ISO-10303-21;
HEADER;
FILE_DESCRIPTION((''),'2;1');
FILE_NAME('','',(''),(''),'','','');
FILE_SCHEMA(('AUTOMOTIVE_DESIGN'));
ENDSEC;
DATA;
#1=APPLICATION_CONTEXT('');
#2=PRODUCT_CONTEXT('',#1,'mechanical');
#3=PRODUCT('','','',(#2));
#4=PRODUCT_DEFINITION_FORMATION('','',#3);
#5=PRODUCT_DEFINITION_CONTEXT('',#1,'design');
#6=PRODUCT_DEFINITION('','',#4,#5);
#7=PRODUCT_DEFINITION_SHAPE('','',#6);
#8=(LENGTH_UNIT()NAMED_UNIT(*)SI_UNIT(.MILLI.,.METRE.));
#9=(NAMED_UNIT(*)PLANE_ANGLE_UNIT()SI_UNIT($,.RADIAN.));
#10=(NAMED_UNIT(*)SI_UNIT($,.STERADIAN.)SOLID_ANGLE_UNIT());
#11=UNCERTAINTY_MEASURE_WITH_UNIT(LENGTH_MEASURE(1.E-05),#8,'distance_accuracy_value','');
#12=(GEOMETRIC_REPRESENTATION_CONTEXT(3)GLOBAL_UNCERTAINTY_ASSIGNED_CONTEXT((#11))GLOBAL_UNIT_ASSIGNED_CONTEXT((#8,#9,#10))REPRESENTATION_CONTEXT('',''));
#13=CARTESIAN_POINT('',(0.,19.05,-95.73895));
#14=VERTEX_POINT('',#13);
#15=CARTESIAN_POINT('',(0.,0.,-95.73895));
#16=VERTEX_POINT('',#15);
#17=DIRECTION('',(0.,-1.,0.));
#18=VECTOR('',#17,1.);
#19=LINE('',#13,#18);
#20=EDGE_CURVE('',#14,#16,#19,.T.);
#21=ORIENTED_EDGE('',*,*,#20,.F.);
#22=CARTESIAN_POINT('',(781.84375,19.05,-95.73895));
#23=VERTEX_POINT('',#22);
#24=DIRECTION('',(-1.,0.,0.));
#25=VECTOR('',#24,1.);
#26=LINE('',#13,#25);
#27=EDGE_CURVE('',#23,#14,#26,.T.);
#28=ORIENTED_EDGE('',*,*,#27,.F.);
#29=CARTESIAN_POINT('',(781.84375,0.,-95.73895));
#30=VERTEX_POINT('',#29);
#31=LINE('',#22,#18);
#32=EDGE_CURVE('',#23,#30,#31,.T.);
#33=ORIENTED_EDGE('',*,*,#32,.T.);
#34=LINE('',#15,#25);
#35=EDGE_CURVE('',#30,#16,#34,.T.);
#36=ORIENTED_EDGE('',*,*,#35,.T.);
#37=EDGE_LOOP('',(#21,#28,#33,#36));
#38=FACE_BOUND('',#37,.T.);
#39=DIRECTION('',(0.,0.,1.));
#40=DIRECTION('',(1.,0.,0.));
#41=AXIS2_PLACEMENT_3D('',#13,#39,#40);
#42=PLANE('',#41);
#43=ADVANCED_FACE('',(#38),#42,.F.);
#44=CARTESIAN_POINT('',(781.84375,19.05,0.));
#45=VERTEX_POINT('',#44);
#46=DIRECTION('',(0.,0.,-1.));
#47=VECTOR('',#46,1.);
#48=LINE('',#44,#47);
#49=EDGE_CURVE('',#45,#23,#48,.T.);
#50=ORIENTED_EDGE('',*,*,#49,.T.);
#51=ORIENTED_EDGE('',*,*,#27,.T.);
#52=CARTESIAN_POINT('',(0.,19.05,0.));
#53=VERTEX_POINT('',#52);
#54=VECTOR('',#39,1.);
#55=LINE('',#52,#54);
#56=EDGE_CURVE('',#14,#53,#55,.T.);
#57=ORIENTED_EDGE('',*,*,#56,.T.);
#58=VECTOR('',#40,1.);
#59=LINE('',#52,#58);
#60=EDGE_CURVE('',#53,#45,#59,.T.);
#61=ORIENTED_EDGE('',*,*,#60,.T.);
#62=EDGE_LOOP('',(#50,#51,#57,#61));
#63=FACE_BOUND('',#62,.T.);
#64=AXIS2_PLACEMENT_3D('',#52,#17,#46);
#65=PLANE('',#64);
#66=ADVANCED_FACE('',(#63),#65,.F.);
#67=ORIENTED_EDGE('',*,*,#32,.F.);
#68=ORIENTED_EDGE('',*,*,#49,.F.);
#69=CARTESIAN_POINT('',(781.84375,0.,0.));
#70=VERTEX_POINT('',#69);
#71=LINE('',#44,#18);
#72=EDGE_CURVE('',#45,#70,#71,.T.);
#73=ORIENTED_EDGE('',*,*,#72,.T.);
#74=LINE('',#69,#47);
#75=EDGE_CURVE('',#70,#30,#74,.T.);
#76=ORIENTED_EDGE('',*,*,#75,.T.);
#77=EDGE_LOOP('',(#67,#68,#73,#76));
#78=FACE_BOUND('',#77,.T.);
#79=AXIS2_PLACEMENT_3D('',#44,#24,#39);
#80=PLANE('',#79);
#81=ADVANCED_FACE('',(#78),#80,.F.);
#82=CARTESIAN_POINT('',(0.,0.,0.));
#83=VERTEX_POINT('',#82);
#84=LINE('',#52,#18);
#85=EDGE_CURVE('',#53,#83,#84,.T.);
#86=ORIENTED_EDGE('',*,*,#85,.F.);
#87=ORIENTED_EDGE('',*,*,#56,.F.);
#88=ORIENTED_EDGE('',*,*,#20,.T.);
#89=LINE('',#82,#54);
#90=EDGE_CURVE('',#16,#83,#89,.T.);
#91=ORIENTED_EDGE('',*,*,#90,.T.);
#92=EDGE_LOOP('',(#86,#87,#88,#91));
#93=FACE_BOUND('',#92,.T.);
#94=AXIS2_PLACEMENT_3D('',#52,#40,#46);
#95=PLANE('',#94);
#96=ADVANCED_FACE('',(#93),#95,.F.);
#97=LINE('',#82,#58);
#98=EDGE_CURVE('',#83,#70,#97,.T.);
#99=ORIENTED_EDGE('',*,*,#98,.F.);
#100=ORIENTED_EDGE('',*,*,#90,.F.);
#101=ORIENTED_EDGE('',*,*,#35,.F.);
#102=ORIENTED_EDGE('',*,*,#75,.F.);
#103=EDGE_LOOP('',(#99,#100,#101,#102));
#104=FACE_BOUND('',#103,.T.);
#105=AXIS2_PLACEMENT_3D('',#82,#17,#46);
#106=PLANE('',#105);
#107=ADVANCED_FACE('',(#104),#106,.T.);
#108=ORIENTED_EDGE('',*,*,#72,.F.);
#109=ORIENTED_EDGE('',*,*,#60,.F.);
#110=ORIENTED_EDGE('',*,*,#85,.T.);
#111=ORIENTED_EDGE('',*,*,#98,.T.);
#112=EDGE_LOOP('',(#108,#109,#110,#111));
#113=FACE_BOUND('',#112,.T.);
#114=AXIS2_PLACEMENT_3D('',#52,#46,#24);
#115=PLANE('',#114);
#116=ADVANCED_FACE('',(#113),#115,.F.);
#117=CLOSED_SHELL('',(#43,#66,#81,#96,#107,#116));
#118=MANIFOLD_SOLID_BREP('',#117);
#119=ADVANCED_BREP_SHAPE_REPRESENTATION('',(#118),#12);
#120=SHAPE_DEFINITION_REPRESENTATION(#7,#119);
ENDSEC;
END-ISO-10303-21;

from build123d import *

# Parameters (mm, degrees)
SKETCH1_W           = 781.84375
SKETCH1_H           = 95.73895
BOSS_EXTRUDE1_DEPTH = 19.05


with BuildPart() as part:
    # Sketch1 → Boss-Extrude1 (new body)
    with BuildSketch(Plane(origin=(0, 0, 0), x_dir=(1, 0, 0), z_dir=(0, 1, 0))):
        with Locations((390.921875, 47.869475)):
            Rectangle(SKETCH1_W, SKETCH1_H)
    extrude(amount=BOSS_EXTRUDE1_DEPTH)


solid = part.part
